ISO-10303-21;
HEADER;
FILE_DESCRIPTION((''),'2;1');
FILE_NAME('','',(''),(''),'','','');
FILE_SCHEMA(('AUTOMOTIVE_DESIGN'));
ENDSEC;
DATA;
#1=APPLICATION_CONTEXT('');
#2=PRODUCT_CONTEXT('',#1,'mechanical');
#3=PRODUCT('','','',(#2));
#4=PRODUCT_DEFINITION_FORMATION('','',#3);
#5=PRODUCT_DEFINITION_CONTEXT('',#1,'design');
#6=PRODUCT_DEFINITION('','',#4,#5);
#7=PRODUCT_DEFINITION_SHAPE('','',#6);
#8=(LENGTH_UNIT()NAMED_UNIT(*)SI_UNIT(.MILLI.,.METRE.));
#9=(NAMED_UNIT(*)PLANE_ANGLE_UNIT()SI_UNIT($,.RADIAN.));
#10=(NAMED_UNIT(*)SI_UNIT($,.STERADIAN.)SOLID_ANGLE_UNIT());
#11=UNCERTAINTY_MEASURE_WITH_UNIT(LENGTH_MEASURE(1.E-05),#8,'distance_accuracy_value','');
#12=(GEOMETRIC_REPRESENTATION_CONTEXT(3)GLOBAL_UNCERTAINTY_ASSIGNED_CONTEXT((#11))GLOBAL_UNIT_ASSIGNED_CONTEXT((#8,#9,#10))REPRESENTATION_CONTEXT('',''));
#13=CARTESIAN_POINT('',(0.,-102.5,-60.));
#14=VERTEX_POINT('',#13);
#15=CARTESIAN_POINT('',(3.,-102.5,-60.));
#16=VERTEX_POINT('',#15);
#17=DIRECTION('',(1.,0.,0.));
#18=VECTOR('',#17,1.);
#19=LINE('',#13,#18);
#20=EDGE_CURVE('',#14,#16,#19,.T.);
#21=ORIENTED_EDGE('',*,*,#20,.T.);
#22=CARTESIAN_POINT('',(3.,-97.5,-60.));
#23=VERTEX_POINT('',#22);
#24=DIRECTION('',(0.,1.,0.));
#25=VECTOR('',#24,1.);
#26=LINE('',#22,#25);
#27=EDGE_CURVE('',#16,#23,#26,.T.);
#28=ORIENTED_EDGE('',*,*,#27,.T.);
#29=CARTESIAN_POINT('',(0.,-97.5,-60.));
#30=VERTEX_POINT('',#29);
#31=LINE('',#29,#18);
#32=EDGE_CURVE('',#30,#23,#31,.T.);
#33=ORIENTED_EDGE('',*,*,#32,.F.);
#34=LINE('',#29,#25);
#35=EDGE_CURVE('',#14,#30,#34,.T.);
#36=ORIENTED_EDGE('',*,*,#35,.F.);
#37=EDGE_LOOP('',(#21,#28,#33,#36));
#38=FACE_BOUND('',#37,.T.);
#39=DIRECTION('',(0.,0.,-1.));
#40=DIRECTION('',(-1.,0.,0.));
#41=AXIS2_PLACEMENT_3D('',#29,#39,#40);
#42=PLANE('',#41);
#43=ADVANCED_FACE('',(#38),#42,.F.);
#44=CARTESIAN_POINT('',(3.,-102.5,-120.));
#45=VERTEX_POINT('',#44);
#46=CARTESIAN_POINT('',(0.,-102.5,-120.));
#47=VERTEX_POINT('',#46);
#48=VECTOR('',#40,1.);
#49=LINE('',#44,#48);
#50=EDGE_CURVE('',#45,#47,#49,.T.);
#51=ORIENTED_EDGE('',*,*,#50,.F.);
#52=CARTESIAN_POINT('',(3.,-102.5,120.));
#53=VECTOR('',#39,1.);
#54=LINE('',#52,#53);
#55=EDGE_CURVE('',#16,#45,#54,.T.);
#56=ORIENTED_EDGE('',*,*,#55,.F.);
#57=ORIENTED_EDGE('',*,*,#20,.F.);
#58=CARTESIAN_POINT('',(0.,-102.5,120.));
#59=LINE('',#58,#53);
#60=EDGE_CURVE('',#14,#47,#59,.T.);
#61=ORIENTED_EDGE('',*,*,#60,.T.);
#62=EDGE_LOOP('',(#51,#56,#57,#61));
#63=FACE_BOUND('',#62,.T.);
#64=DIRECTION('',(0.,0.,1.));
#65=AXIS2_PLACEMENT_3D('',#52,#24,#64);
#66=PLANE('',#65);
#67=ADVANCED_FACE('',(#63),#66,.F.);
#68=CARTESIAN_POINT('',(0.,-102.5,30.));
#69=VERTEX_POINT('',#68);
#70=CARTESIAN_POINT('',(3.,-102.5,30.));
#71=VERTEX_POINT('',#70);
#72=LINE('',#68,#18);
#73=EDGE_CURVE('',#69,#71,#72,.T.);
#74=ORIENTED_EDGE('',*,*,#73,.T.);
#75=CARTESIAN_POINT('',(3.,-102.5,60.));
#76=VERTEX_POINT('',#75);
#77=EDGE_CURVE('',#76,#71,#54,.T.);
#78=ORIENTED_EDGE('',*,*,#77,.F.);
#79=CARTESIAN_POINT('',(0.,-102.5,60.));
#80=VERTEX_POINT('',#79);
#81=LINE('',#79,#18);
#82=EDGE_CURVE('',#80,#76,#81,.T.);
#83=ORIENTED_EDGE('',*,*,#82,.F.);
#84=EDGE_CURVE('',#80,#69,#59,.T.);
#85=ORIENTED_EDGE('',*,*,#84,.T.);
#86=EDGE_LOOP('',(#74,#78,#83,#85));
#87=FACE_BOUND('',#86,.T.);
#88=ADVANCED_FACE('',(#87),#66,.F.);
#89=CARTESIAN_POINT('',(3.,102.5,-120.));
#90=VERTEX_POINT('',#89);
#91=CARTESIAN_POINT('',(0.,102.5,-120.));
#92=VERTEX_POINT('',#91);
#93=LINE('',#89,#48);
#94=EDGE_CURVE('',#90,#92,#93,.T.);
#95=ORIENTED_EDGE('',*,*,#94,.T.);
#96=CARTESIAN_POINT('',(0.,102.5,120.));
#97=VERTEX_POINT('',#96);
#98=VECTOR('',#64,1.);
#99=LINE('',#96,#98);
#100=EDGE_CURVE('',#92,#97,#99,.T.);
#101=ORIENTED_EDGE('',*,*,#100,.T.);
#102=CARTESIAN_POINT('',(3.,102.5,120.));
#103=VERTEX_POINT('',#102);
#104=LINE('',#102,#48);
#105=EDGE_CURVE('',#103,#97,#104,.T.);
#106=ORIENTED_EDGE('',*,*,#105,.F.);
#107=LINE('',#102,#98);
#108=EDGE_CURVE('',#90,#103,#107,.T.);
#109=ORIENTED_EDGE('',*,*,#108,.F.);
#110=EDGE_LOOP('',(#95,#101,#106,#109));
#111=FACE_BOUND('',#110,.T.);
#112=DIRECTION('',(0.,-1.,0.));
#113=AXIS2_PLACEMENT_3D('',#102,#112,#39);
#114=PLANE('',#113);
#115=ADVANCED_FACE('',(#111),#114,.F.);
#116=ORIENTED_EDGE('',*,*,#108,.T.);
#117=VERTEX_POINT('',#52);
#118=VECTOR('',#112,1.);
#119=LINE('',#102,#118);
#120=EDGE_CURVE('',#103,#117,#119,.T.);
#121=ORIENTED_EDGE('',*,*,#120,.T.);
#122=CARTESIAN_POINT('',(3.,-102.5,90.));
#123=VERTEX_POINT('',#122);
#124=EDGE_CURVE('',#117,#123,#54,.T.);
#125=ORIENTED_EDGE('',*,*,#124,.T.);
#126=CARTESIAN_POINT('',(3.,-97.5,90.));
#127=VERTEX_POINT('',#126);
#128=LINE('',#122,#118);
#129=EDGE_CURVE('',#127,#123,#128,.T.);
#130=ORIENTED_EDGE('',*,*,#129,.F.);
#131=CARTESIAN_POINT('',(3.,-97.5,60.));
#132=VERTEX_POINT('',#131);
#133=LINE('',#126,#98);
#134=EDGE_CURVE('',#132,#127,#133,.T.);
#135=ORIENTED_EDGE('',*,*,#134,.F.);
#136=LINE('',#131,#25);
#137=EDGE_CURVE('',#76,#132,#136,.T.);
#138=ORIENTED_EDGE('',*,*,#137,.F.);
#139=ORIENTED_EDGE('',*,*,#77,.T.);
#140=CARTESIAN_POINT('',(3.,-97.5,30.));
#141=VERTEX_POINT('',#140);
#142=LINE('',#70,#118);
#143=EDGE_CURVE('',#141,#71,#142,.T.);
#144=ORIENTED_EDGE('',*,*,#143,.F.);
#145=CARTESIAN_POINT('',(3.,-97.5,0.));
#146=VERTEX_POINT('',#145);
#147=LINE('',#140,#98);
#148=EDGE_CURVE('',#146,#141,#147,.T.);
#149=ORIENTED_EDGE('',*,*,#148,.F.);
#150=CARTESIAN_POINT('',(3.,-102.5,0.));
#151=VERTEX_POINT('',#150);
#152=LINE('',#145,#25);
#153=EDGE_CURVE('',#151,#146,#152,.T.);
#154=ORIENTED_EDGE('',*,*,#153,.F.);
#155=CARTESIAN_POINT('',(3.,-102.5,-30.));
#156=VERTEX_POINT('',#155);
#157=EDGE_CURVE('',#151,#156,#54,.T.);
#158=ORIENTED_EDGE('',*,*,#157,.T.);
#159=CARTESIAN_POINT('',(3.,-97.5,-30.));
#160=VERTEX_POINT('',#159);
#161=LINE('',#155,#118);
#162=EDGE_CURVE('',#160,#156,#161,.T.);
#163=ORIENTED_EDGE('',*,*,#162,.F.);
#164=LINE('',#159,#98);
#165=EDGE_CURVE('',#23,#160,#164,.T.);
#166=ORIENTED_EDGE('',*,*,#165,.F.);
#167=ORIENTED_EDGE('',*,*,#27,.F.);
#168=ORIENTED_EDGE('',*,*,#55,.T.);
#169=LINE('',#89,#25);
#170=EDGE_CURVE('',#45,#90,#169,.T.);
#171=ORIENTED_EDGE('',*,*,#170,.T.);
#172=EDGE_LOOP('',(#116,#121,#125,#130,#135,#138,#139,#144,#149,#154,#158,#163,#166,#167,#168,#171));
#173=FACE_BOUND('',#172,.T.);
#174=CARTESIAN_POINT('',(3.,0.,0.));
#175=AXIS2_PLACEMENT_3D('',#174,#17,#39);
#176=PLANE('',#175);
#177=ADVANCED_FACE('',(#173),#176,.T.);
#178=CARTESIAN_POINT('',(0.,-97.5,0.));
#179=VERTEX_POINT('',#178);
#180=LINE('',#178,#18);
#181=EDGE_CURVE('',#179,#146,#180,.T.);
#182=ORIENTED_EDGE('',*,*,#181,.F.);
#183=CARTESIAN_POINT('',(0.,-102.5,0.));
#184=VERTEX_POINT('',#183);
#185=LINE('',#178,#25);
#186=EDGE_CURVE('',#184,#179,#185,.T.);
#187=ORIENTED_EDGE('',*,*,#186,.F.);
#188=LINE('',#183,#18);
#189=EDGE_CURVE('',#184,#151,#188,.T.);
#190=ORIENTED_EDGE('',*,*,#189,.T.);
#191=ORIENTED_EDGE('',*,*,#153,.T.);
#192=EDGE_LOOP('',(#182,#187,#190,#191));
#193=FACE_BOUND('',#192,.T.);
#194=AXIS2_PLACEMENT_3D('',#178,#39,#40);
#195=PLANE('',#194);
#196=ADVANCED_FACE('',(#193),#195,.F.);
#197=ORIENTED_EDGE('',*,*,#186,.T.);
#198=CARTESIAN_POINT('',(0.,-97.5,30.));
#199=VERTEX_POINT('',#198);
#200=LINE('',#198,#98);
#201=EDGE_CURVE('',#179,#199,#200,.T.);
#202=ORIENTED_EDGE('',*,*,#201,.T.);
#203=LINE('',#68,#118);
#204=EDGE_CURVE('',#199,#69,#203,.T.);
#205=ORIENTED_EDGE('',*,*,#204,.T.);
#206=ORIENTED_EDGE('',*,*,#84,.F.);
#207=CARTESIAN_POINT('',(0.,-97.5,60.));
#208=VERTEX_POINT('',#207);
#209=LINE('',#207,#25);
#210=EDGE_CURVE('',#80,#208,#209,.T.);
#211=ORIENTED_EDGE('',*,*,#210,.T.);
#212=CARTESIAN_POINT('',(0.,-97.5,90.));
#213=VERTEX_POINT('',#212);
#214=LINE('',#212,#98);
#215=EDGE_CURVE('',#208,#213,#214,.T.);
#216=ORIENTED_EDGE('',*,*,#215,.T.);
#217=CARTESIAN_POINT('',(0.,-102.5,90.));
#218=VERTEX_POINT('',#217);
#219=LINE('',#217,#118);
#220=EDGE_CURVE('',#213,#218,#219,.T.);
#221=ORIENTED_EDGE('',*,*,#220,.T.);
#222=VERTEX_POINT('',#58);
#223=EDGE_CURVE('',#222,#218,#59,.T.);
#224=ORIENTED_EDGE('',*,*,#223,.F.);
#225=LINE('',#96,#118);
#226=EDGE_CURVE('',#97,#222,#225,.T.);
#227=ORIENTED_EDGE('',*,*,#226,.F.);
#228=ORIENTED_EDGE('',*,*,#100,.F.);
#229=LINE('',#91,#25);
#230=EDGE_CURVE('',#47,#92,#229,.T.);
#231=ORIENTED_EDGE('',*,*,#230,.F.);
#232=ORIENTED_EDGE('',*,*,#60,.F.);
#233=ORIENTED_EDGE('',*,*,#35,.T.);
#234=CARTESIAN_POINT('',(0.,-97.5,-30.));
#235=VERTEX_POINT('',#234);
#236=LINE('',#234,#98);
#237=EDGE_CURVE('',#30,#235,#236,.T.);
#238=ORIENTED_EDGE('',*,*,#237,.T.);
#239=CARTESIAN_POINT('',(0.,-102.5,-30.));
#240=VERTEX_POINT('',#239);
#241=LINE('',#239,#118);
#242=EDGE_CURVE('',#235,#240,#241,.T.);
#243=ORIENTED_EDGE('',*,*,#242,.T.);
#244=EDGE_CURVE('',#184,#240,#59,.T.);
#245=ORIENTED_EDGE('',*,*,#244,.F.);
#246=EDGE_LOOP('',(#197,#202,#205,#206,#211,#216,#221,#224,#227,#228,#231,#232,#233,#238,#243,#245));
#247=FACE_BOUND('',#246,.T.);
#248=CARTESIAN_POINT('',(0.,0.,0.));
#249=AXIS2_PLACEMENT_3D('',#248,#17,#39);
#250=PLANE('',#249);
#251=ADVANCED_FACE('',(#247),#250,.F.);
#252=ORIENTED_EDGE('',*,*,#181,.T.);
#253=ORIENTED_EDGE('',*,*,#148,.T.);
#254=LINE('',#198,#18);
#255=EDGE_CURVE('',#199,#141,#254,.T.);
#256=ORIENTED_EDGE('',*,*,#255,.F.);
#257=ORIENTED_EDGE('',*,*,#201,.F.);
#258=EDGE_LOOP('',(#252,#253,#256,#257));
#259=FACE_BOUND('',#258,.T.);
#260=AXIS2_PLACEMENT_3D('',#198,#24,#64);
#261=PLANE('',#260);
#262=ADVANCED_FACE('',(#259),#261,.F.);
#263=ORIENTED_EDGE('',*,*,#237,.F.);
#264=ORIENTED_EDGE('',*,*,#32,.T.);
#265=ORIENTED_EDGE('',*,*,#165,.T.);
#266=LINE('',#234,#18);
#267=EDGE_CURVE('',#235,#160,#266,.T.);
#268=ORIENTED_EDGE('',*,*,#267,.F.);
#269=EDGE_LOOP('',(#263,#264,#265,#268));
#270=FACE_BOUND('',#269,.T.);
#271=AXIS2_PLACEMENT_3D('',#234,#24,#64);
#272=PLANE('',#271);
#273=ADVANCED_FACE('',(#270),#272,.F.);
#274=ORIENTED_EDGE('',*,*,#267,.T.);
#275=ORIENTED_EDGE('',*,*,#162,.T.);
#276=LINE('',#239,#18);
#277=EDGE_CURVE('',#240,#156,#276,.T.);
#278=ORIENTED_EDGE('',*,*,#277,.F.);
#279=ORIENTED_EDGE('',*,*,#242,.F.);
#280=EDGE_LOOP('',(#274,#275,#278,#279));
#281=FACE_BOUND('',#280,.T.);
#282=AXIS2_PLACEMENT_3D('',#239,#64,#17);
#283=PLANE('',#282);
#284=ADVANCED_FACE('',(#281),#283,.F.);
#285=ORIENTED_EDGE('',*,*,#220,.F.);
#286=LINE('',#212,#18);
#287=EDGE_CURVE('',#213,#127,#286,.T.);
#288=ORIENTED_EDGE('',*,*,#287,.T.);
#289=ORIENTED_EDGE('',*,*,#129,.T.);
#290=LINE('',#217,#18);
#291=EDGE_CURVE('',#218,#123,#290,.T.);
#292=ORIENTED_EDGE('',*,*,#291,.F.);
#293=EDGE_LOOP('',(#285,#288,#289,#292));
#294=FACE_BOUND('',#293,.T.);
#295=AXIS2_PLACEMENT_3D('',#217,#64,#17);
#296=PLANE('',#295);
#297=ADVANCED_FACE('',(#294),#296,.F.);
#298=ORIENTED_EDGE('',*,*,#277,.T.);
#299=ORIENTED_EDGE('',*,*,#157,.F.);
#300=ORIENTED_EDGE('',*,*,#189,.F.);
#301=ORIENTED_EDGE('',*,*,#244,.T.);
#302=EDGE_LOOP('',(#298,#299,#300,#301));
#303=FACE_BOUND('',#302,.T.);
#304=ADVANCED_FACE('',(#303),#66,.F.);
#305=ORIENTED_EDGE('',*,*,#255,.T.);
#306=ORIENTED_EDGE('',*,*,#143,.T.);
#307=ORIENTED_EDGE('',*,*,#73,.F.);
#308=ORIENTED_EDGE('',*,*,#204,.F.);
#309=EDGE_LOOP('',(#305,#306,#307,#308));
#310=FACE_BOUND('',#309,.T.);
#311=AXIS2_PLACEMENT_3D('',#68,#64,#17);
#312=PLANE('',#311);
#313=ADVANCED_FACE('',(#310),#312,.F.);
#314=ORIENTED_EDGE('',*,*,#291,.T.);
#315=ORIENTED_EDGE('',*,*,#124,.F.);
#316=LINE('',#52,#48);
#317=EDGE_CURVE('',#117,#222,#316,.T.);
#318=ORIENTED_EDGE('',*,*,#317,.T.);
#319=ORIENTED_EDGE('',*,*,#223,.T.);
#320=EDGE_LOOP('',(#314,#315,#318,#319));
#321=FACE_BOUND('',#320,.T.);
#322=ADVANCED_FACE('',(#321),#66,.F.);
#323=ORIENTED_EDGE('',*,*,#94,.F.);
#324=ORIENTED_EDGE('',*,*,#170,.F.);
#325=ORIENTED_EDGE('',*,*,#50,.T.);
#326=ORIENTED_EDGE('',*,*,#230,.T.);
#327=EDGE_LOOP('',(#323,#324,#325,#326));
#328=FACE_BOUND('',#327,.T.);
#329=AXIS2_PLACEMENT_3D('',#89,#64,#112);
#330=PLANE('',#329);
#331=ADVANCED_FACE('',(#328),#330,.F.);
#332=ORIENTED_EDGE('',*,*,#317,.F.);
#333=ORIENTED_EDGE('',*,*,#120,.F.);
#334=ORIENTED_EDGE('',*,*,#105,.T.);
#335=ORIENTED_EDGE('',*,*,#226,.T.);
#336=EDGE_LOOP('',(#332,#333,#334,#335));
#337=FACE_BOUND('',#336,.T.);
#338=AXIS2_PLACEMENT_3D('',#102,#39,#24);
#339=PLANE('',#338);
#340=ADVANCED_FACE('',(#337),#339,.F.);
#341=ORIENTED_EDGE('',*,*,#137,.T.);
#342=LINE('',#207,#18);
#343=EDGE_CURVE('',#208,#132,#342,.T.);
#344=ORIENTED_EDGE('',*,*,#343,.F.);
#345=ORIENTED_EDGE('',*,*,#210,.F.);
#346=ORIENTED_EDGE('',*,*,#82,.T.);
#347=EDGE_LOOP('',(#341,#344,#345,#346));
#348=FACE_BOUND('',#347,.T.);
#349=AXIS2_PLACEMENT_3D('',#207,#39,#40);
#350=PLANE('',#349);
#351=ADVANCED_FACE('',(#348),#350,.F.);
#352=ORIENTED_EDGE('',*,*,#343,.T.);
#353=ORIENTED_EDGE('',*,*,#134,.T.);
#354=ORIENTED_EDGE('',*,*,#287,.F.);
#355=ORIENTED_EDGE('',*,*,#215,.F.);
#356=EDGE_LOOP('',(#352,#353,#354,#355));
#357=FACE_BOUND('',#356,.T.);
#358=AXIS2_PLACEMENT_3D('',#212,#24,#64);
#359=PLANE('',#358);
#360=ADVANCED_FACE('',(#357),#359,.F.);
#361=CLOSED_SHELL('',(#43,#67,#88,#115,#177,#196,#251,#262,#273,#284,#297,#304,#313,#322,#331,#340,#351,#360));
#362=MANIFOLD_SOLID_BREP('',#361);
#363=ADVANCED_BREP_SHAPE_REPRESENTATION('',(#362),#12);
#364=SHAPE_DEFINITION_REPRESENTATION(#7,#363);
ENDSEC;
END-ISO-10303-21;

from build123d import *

# Parameters (mm, degrees)
SKETCH1_W           = 240
SKETCH1_H           = 205
BOSS_EXTRUDE1_DEPTH = 3
SKETCH2_W           = 30
SKETCH2_H           = 5
CUT_EXTRUDE1_DEPTH  = 3


with BuildPart() as part:
    # Sketch1 → Boss-Extrude1 (new body)
    with BuildSketch(Plane(origin=(0, 0, 0), x_dir=(0, 0, -1), z_dir=(1, 0, 0))):
        Rectangle(SKETCH1_W, SKETCH1_H)
    extrude(amount=BOSS_EXTRUDE1_DEPTH)

    # Sketch2 → Cut-Extrude1 (cut)
    with BuildSketch(Plane(origin=(3, 0, 0), x_dir=(0, 0, -1), z_dir=(1, 0, 0))):
        with Locations((-75, -100)):
            Rectangle(SKETCH2_W, SKETCH2_H)
        with Locations((-15, -100)):
            Rectangle(SKETCH2_W, SKETCH2_H)
        with Locations((45, -100)):
            Rectangle(SKETCH2_W, SKETCH2_H)
    extrude(amount=-CUT_EXTRUDE1_DEPTH, mode=Mode.SUBTRACT)


solid = part.part
